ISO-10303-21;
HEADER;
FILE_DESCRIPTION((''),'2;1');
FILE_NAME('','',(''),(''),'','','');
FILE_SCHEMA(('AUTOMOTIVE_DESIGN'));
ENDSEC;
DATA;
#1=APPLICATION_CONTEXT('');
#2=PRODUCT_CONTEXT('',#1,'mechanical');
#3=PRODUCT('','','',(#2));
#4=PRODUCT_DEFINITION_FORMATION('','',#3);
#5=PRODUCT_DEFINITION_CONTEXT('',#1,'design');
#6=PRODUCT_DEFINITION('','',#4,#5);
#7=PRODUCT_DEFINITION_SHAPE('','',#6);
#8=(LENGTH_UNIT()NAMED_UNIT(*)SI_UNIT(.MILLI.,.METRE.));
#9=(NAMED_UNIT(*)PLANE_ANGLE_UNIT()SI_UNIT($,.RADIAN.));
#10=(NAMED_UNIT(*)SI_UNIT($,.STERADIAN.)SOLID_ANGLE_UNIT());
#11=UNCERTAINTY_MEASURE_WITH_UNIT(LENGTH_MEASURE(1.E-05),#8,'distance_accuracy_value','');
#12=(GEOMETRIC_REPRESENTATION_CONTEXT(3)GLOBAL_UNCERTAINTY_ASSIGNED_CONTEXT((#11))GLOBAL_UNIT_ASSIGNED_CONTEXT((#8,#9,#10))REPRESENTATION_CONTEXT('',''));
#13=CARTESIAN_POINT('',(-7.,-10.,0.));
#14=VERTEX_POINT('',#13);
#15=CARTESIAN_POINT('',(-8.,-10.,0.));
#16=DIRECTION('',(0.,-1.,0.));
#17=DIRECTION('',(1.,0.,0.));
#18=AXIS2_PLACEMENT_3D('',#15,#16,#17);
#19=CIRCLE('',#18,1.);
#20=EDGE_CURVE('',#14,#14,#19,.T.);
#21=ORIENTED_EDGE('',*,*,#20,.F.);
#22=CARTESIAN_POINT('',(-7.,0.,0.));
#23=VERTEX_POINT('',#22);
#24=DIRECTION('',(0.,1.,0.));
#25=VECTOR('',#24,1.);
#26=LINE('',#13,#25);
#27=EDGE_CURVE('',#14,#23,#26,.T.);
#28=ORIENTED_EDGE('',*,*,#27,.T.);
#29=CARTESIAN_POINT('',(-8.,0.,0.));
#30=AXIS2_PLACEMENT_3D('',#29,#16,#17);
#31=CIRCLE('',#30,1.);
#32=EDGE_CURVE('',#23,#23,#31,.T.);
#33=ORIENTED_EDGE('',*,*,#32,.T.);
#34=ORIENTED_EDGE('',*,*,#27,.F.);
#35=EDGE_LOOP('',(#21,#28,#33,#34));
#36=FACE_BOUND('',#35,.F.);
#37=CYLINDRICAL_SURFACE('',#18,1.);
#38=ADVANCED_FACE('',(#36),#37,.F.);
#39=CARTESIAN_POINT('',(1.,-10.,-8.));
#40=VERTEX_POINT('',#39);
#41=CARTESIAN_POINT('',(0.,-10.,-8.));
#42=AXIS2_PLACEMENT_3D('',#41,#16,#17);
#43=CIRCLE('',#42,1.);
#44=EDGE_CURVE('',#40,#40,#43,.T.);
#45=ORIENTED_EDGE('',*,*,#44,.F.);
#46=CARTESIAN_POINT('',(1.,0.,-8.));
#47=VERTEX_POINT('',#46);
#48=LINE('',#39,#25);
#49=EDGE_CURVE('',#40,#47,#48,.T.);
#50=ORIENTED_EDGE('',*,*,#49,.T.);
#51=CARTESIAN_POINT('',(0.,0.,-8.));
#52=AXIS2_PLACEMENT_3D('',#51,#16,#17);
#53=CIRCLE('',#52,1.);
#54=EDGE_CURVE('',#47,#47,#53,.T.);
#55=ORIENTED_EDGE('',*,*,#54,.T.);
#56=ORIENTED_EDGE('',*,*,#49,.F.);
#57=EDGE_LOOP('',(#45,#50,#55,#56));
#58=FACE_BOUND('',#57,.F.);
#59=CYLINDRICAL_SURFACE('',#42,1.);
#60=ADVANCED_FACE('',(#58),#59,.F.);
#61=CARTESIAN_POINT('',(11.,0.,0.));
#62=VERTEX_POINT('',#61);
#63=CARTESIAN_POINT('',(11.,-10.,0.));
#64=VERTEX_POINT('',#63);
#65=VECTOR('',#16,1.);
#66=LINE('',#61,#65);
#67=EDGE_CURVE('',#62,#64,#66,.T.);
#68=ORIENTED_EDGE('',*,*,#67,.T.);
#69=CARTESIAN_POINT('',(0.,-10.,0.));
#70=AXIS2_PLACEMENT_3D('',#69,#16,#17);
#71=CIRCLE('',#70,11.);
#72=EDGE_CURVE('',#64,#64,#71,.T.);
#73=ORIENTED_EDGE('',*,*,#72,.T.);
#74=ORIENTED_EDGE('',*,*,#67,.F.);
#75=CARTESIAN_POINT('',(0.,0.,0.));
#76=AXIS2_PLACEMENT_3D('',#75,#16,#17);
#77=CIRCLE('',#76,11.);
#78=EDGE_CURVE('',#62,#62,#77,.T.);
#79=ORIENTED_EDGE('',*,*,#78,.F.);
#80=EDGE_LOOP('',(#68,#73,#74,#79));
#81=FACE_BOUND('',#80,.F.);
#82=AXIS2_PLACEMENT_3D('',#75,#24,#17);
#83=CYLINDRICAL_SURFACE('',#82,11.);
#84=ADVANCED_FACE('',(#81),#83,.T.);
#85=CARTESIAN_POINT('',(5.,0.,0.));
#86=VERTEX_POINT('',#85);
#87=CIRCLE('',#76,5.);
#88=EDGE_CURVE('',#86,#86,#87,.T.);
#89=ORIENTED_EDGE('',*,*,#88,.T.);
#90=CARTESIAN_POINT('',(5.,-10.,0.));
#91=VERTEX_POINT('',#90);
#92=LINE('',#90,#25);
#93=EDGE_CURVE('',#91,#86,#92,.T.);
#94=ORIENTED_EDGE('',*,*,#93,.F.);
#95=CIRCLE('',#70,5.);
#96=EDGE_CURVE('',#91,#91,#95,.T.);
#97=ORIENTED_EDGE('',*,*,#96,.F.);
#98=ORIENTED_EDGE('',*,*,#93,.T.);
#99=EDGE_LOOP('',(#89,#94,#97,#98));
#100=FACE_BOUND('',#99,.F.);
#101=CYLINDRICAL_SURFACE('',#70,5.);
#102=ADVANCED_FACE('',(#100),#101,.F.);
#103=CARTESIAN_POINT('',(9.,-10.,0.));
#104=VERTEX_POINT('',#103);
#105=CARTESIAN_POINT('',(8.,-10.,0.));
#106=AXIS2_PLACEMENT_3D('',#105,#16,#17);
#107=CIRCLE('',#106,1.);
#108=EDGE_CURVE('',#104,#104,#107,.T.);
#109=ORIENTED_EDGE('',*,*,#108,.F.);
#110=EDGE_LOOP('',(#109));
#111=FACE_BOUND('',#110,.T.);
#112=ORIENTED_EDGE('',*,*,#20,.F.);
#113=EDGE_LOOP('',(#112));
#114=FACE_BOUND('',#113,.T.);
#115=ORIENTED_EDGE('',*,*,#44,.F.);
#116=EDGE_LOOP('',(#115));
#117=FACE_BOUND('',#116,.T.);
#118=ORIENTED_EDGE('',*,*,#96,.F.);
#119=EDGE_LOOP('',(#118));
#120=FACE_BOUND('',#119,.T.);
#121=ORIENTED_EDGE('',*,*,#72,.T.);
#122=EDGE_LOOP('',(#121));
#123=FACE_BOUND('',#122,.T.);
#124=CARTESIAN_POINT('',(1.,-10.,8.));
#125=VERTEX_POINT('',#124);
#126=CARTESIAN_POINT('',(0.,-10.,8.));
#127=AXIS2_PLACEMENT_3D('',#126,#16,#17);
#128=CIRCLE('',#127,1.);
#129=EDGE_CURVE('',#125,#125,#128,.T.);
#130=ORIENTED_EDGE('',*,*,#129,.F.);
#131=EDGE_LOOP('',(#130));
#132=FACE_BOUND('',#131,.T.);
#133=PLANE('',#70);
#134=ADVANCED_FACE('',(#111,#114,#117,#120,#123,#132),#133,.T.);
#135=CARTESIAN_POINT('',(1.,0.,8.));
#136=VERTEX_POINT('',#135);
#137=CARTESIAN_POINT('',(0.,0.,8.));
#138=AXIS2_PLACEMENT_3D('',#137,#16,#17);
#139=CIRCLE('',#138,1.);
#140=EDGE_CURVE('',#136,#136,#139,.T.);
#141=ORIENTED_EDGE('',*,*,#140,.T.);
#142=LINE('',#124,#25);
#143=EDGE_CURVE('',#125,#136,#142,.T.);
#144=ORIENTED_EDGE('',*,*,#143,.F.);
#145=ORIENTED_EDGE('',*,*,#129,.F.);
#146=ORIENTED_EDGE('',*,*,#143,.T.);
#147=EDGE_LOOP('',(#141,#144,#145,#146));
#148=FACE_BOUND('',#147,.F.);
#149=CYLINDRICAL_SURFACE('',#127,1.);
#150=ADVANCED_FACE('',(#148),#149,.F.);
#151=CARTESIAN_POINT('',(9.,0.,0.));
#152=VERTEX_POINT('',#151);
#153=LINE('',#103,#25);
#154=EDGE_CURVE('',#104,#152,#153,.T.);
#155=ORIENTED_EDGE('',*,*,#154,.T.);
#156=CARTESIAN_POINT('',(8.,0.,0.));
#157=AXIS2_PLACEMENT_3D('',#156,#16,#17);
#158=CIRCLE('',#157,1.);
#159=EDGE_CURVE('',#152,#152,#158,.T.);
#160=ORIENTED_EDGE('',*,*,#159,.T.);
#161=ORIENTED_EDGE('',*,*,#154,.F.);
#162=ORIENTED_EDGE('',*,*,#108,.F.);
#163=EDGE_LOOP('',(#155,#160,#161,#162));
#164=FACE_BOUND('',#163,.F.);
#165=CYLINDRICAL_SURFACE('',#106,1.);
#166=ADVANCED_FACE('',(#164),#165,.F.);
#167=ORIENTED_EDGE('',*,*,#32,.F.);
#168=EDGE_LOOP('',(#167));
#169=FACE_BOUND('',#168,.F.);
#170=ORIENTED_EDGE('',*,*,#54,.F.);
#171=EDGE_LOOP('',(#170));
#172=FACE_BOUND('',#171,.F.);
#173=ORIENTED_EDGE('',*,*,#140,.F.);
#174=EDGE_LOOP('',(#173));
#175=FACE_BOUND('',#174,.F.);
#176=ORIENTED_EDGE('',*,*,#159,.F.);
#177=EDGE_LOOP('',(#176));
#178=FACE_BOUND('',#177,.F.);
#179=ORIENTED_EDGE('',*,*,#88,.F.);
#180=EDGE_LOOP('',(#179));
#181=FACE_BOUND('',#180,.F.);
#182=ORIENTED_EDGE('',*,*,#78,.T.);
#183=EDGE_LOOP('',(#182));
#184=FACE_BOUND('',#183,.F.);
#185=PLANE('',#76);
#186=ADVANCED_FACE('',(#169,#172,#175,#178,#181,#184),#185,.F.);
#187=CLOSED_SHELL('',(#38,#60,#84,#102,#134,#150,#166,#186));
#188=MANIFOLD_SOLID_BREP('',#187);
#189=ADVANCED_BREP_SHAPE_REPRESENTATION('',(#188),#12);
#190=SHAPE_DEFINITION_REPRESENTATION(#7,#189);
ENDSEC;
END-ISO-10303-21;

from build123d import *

# Parameters (mm, degrees)
F0_R     = 11
F1_DEPTH = 10
F2_R     = 5
F3_DEPTH = 25
F4_R     = 1
F5_DEPTH = 25


with BuildPart() as f1:
    # F0 (on Front) → F1 (new body)
    with BuildSketch(Plane.XZ):
        Circle(F0_R)
    extrude(amount=F1_DEPTH)

    # F2 (on face) → F3 (cut)
    with BuildSketch(Plane.XZ.offset(10)):
        Circle(F2_R)
    extrude(amount=-F3_DEPTH, mode=Mode.SUBTRACT)

    # F4 (on face) → F5 (cut)
    with BuildSketch(Plane.XZ.offset(10)):
        with Locations((-8, 0)):
            Circle(F4_R)
        with Locations((0, 8)):
            Circle(F4_R)
        with Locations((8, 0)):
            Circle(F4_R)
        with Locations((0, -8)):
            Circle(F4_R)
    extrude(amount=-F5_DEPTH, mode=Mode.SUBTRACT)


solid = f1.part
